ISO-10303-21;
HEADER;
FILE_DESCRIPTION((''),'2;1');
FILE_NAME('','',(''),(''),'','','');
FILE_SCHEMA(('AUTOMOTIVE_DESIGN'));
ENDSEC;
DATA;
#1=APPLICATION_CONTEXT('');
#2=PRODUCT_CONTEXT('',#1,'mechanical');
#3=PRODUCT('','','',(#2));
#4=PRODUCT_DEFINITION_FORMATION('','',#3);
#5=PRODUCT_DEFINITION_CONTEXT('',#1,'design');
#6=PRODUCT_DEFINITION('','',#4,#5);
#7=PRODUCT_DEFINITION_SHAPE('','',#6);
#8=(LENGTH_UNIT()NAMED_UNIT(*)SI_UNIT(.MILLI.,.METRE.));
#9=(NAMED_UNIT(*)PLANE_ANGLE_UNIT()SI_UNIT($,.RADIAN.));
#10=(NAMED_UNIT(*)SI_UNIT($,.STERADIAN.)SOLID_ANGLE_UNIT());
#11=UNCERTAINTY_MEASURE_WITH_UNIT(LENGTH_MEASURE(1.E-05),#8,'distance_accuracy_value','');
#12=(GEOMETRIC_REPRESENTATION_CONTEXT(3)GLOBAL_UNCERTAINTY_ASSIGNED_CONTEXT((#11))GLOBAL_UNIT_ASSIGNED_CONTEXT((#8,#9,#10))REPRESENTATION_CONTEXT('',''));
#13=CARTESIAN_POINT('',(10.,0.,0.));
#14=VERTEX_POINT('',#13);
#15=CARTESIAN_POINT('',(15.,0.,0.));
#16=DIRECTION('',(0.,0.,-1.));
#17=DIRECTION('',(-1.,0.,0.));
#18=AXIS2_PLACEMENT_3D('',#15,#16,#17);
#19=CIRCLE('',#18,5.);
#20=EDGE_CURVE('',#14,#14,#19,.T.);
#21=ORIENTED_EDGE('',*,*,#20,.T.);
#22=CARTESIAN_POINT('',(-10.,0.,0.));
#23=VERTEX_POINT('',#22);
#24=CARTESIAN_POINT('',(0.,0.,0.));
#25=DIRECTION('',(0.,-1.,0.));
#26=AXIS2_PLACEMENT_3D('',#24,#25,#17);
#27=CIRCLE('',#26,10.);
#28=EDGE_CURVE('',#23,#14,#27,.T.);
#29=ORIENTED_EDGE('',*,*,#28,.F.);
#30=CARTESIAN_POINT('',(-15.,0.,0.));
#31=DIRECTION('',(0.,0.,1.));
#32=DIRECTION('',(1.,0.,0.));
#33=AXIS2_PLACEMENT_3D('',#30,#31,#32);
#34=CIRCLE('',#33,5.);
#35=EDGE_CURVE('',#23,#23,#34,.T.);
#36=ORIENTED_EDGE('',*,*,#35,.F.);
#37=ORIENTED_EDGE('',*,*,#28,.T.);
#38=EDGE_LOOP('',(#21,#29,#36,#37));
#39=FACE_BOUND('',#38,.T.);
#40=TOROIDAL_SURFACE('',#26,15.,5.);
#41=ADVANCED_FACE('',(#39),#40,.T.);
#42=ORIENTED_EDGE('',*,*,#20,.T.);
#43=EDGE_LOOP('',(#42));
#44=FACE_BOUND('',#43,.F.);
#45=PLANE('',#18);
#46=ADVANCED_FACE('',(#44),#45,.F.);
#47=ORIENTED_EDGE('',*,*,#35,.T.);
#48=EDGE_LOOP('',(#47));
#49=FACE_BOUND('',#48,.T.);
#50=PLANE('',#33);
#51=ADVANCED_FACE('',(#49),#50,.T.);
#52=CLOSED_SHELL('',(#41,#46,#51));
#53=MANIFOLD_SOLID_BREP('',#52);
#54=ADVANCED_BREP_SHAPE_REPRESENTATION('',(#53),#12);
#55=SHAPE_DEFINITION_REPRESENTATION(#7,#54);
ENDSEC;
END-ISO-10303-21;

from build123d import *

# Parameters (mm, degrees)
F0_R     = 5
F1_ANGLE = 180


with BuildPart() as f1:
    # F0 (on Top) → F1 (revolve)
    with BuildSketch(Plane.XY):
        with Locations((-15, 0)):
            Circle(F0_R)
    revolve(axis=Axis((0, -5.508034, 0), (0, -1, 0)), revolution_arc=F1_ANGLE)


solid = f1.part
